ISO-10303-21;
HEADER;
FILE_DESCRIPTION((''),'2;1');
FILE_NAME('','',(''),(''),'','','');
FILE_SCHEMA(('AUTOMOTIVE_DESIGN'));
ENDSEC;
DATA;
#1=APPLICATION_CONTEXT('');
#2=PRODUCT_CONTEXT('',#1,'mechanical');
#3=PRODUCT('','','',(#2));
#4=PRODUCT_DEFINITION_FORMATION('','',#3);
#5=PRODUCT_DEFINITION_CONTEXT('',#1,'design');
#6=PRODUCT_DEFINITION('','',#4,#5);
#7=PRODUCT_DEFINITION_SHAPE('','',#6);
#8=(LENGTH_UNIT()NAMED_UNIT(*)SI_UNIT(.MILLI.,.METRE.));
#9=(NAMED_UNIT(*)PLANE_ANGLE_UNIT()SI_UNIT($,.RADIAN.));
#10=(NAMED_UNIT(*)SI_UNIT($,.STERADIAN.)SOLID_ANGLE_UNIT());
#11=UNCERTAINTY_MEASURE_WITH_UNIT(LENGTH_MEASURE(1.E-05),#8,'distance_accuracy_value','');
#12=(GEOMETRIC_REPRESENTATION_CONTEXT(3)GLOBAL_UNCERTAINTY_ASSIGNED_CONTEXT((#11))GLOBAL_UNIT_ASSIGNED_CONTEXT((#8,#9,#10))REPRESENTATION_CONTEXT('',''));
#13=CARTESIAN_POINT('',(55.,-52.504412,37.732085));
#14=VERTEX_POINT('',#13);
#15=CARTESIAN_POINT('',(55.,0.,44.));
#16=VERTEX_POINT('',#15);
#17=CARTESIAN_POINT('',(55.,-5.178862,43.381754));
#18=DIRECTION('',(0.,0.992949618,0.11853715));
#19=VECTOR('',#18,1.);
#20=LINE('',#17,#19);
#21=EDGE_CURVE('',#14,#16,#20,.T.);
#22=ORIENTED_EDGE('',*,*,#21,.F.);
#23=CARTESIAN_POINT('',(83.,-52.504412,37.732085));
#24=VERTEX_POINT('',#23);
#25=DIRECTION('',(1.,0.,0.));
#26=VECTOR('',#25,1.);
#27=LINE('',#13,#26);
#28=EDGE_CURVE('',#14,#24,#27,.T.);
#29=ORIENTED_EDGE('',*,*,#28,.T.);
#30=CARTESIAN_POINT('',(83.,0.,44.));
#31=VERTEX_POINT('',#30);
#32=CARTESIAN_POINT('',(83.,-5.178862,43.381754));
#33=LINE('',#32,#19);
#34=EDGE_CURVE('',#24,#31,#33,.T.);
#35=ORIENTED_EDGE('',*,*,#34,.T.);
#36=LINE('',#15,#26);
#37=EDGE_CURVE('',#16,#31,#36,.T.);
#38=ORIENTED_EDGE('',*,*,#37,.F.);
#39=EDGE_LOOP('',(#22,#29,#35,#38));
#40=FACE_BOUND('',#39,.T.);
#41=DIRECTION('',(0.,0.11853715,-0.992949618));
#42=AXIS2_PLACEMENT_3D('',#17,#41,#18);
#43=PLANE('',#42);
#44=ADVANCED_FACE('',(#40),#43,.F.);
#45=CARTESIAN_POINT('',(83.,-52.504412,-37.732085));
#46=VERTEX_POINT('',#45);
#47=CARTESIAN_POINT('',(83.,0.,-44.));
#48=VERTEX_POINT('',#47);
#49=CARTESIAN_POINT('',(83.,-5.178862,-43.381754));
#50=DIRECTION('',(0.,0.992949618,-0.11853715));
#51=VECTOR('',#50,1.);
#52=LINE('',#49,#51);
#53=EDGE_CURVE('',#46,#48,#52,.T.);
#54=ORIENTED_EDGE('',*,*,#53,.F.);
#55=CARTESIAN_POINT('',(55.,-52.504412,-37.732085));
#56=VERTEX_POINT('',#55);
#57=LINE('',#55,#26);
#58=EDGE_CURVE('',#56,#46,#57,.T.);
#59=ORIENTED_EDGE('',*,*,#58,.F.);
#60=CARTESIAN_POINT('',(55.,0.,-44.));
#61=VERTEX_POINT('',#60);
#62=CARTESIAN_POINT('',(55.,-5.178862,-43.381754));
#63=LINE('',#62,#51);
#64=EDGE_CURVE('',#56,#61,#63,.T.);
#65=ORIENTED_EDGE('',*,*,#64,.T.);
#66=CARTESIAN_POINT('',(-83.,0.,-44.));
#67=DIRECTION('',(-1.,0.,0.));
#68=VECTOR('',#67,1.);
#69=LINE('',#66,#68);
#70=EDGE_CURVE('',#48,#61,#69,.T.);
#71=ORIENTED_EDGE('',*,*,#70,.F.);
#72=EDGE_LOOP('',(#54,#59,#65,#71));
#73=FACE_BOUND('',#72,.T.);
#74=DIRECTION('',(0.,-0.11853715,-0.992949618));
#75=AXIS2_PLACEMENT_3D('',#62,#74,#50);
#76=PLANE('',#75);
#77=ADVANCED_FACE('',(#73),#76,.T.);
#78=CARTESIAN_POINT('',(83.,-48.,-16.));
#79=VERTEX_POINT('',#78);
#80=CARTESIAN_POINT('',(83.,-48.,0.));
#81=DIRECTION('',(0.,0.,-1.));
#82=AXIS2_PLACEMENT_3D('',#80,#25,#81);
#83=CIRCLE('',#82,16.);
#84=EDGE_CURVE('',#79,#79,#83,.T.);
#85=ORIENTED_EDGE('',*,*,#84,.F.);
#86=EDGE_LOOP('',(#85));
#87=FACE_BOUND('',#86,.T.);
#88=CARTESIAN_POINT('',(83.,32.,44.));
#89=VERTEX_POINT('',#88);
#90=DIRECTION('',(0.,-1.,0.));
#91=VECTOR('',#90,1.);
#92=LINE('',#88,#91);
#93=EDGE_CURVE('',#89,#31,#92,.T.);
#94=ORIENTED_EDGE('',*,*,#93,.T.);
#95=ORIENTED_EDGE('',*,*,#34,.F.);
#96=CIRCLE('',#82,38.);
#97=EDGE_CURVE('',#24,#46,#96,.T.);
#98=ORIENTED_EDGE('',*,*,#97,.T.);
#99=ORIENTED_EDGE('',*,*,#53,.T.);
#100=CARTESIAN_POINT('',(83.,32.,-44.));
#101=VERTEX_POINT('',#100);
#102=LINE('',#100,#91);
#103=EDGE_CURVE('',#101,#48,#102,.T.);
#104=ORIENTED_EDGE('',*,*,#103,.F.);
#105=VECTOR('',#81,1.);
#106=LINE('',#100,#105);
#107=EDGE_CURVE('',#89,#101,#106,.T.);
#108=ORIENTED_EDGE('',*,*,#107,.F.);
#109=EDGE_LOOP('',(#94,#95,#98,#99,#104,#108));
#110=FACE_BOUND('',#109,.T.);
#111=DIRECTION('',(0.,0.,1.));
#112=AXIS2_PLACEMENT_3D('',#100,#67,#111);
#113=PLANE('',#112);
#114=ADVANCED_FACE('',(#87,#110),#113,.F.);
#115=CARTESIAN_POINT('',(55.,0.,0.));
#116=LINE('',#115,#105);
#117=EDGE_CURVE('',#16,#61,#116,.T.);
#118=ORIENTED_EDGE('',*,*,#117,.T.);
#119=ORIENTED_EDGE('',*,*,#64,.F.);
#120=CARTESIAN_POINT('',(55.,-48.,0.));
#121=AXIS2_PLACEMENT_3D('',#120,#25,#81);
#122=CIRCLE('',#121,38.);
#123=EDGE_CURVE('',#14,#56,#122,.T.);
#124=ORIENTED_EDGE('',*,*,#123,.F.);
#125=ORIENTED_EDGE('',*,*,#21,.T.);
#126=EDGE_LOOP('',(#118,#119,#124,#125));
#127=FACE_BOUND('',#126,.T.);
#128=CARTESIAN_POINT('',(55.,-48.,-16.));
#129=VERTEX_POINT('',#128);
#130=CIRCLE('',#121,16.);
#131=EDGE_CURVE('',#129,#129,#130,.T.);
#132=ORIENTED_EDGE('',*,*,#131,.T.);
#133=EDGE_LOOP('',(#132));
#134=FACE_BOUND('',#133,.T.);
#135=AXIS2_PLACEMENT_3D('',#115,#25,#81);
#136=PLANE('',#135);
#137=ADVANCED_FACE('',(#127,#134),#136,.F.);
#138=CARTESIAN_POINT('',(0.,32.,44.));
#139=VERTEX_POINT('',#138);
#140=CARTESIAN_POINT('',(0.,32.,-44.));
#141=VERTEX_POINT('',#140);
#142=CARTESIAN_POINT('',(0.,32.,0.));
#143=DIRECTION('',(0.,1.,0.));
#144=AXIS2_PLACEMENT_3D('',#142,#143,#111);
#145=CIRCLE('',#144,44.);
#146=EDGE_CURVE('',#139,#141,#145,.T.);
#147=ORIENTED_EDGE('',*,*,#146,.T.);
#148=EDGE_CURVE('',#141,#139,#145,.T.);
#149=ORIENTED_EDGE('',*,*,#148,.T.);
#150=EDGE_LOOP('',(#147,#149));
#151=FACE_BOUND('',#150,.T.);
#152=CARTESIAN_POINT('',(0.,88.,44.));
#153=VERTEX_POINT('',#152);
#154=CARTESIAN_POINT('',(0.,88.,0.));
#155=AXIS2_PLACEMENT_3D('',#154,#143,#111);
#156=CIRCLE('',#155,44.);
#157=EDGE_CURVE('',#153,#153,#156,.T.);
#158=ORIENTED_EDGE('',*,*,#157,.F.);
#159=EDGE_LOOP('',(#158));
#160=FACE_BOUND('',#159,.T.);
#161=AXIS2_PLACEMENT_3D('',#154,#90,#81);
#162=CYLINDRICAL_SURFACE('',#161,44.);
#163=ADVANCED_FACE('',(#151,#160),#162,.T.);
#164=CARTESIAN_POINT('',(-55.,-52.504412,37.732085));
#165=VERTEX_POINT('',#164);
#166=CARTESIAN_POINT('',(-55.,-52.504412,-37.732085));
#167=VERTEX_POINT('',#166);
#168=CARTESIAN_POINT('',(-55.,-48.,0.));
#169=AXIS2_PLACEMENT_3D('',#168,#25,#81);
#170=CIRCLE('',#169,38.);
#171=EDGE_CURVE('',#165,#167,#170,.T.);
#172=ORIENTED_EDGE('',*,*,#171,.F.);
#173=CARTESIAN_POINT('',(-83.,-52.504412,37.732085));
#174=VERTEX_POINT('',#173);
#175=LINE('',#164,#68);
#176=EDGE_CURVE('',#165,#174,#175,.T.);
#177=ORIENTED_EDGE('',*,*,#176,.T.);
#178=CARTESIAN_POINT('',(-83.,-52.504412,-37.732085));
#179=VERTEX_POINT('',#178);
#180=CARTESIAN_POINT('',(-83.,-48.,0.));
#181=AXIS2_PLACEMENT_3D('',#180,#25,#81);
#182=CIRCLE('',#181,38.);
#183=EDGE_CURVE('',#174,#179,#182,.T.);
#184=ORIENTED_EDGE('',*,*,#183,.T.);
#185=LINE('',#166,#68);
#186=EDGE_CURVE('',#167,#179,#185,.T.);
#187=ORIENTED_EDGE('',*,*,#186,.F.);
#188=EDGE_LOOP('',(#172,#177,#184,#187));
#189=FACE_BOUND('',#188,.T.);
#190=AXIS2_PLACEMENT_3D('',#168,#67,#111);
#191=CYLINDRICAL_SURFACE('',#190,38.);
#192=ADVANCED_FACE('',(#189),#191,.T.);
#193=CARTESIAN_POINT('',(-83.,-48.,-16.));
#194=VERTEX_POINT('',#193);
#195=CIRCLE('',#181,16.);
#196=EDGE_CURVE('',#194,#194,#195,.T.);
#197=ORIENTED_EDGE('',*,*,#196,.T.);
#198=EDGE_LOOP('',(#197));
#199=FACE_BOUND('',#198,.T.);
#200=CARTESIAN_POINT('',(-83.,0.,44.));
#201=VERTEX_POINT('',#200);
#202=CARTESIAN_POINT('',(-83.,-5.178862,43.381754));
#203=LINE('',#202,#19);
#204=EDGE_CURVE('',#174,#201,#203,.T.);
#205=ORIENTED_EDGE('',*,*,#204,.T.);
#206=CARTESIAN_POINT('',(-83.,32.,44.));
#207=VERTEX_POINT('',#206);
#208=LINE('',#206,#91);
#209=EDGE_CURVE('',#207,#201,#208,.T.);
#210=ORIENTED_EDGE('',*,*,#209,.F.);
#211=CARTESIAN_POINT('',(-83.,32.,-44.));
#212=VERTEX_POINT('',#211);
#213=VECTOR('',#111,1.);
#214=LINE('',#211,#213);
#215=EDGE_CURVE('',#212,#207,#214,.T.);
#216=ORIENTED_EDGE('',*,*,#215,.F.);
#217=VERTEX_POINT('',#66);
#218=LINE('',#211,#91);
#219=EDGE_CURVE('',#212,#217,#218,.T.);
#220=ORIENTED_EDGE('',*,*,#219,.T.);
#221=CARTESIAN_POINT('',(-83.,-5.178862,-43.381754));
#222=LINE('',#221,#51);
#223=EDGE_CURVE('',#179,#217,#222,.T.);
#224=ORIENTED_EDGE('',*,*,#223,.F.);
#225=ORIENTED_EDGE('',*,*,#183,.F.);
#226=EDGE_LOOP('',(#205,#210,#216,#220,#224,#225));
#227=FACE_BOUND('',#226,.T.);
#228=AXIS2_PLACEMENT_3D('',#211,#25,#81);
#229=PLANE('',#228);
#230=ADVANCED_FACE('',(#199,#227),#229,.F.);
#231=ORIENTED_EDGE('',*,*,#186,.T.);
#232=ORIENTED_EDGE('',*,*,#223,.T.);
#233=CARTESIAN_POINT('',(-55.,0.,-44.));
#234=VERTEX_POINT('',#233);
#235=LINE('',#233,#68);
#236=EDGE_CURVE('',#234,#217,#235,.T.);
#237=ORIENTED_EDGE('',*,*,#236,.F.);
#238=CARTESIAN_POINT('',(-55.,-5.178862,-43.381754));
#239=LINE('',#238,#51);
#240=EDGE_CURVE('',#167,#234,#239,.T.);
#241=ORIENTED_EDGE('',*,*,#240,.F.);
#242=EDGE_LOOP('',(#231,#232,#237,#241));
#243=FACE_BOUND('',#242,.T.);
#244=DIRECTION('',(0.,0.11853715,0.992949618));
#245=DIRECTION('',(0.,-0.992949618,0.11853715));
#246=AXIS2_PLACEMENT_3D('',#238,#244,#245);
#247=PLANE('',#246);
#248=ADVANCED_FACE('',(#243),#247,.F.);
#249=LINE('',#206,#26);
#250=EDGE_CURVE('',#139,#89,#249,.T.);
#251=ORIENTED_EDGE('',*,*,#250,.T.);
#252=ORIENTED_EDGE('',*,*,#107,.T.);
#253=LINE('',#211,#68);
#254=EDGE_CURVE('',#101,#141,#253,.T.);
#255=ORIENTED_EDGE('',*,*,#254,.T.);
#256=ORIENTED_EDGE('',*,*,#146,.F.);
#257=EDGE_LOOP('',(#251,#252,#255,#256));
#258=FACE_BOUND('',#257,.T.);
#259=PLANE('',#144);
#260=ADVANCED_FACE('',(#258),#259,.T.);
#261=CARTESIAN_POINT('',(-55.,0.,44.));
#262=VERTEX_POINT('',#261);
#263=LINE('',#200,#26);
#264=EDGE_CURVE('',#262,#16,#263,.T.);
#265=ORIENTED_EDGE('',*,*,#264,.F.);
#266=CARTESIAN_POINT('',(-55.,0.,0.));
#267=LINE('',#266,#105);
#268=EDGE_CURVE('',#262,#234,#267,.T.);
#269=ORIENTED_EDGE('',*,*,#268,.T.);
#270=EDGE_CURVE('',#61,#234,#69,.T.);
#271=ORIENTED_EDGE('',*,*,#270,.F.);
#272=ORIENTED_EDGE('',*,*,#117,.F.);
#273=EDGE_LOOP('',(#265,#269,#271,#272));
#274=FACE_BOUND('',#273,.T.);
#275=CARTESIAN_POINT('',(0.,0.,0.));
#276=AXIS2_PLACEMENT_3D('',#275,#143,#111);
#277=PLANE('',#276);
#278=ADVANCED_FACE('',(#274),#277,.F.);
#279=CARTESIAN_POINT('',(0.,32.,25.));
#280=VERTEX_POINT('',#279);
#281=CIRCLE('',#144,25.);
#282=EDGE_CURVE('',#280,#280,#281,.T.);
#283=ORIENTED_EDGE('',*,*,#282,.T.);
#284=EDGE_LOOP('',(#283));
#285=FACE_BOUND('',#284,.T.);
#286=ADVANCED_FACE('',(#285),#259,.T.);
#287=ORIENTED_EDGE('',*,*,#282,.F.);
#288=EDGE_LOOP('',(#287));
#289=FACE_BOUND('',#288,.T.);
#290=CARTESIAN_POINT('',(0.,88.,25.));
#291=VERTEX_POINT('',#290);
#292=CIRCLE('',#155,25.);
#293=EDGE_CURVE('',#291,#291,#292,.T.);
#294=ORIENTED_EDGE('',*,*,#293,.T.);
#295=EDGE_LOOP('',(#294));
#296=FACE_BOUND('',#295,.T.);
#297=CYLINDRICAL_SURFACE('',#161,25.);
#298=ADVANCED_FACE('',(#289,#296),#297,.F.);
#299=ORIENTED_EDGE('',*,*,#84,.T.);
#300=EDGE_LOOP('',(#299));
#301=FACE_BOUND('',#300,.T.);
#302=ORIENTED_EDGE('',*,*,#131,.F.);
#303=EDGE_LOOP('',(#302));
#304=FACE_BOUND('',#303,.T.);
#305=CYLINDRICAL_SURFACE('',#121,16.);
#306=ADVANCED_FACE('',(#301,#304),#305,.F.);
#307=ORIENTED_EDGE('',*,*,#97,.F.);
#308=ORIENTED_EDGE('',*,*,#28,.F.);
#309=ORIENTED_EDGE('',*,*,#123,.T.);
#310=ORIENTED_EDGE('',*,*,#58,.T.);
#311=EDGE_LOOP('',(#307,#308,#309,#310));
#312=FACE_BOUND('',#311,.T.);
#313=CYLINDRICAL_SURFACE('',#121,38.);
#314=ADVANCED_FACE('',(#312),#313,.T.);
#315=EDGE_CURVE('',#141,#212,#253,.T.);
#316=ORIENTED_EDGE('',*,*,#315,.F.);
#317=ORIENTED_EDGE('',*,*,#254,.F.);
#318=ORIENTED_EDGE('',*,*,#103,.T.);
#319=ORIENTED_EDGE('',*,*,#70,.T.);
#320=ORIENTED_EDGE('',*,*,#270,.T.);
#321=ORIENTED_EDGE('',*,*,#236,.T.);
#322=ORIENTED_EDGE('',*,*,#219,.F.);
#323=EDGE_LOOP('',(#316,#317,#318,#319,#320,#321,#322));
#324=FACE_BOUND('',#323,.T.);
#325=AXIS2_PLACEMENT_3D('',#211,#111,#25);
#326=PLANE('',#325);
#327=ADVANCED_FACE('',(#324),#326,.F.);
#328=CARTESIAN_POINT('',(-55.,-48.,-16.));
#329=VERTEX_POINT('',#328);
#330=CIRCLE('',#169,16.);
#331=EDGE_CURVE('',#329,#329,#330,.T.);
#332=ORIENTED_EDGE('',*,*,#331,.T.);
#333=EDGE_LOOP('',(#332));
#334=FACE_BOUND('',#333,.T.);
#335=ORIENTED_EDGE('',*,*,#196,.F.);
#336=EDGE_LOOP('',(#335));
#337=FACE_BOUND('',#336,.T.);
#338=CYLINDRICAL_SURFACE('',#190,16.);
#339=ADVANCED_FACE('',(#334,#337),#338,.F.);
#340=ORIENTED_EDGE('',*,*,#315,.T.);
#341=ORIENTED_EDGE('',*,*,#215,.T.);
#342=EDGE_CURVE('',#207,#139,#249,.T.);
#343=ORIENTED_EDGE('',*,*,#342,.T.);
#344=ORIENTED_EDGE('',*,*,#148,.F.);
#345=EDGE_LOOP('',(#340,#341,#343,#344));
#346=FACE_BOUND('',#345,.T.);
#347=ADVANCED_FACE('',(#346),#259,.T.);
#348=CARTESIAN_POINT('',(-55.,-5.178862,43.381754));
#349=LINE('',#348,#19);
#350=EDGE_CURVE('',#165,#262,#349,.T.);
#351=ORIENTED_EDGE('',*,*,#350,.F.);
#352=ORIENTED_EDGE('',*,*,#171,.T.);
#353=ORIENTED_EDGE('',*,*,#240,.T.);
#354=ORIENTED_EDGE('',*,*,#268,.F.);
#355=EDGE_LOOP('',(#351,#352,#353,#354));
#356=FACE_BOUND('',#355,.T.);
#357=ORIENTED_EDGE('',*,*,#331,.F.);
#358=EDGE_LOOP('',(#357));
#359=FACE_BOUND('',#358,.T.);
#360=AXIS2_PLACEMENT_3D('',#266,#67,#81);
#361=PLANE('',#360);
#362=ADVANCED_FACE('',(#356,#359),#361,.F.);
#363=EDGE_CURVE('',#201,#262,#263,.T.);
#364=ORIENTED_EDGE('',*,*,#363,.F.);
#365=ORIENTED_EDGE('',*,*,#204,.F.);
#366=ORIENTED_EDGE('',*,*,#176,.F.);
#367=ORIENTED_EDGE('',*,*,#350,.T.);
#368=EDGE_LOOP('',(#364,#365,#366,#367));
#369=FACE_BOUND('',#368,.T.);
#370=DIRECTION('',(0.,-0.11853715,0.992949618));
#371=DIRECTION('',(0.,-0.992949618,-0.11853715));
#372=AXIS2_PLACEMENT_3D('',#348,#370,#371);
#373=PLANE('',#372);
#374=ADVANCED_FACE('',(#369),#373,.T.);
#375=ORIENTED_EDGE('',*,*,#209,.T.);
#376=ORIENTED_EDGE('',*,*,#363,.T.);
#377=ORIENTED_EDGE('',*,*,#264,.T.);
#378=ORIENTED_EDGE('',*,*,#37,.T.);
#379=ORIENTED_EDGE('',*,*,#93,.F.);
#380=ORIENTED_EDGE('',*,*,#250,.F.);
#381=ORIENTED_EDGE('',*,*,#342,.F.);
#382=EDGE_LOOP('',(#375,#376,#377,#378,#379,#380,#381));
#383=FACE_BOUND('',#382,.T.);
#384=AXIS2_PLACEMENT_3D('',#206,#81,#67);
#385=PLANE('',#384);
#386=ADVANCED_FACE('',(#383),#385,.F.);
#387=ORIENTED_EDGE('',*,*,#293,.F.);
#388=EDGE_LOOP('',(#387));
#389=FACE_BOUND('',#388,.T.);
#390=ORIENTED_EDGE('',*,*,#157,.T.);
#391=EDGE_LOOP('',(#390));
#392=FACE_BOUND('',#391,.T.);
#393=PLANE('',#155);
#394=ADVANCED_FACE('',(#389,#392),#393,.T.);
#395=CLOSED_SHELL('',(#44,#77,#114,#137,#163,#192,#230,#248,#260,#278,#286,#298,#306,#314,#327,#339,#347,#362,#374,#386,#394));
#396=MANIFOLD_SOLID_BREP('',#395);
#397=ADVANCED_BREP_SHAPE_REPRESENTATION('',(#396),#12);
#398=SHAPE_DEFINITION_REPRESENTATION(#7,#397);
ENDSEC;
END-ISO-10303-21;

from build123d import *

# Parameters (mm, degrees)
SKETCH1_W           = 166
SKETCH1_H           = 88
BOSS_EXTRUDE1_DEPTH = 32
SKETCH2_R           = 44
SKETCH2_R_2         = 25
BOSS_EXTRUDE2_DEPTH = 56
SKETCH3_R           = 16
BOSS_EXTRUDE3_DEPTH = 28


with BuildPart() as part:
    # Sketch1 → Boss-Extrude1 (new body)
    with BuildSketch(Plane(origin=(0, 0, 0), x_dir=(1, 0, 0), z_dir=(0, 1, 0))):
        Rectangle(SKETCH1_W, SKETCH1_H)
    extrude(amount=BOSS_EXTRUDE1_DEPTH)

    # Sketch2 → Boss-Extrude2 (add)
    with BuildSketch(Plane(origin=(0, 32, 0), x_dir=(1, 0, 0), z_dir=(0, 1, 0))):
        with Locations(Location((0, 0, 0), (0, 0, 270))):
            Circle(SKETCH2_R)
        with Locations(Location((0, 0, 0), (0, 0, 270))):
            Circle(SKETCH2_R_2, mode=Mode.SUBTRACT)
    extrude(amount=BOSS_EXTRUDE2_DEPTH)

    # Sketch3 → Boss-Extrude3 (add)
    with BuildSketch(Plane(origin=(83, 0, 0), x_dir=(0, 0, -1), z_dir=(1, 0, 0))):
        with BuildLine():
            Line((-37.732085488, -52.504411697), (-44, 0))
            Line((-44, 0), (44, 0))
            Line((44, 0), (37.732085488, -52.504411697))
            ThreePointArc((37.732085488, -52.504411697), (0, -86), (-37.732085488, -52.504411697))
        make_face()
        with Locations((0, -48)):
            Circle(SKETCH3_R, mode=Mode.SUBTRACT)
    boss_extrude3 = extrude(amount=-BOSS_EXTRUDE3_DEPTH)

    # Mirror1: Boss-Extrude3 across plane
    add(boss_extrude3.mirror(Plane(origin=(0, 0, 0), x_dir=(0, 0, 1), z_dir=(1, 0, 0))))


solid = part.part
